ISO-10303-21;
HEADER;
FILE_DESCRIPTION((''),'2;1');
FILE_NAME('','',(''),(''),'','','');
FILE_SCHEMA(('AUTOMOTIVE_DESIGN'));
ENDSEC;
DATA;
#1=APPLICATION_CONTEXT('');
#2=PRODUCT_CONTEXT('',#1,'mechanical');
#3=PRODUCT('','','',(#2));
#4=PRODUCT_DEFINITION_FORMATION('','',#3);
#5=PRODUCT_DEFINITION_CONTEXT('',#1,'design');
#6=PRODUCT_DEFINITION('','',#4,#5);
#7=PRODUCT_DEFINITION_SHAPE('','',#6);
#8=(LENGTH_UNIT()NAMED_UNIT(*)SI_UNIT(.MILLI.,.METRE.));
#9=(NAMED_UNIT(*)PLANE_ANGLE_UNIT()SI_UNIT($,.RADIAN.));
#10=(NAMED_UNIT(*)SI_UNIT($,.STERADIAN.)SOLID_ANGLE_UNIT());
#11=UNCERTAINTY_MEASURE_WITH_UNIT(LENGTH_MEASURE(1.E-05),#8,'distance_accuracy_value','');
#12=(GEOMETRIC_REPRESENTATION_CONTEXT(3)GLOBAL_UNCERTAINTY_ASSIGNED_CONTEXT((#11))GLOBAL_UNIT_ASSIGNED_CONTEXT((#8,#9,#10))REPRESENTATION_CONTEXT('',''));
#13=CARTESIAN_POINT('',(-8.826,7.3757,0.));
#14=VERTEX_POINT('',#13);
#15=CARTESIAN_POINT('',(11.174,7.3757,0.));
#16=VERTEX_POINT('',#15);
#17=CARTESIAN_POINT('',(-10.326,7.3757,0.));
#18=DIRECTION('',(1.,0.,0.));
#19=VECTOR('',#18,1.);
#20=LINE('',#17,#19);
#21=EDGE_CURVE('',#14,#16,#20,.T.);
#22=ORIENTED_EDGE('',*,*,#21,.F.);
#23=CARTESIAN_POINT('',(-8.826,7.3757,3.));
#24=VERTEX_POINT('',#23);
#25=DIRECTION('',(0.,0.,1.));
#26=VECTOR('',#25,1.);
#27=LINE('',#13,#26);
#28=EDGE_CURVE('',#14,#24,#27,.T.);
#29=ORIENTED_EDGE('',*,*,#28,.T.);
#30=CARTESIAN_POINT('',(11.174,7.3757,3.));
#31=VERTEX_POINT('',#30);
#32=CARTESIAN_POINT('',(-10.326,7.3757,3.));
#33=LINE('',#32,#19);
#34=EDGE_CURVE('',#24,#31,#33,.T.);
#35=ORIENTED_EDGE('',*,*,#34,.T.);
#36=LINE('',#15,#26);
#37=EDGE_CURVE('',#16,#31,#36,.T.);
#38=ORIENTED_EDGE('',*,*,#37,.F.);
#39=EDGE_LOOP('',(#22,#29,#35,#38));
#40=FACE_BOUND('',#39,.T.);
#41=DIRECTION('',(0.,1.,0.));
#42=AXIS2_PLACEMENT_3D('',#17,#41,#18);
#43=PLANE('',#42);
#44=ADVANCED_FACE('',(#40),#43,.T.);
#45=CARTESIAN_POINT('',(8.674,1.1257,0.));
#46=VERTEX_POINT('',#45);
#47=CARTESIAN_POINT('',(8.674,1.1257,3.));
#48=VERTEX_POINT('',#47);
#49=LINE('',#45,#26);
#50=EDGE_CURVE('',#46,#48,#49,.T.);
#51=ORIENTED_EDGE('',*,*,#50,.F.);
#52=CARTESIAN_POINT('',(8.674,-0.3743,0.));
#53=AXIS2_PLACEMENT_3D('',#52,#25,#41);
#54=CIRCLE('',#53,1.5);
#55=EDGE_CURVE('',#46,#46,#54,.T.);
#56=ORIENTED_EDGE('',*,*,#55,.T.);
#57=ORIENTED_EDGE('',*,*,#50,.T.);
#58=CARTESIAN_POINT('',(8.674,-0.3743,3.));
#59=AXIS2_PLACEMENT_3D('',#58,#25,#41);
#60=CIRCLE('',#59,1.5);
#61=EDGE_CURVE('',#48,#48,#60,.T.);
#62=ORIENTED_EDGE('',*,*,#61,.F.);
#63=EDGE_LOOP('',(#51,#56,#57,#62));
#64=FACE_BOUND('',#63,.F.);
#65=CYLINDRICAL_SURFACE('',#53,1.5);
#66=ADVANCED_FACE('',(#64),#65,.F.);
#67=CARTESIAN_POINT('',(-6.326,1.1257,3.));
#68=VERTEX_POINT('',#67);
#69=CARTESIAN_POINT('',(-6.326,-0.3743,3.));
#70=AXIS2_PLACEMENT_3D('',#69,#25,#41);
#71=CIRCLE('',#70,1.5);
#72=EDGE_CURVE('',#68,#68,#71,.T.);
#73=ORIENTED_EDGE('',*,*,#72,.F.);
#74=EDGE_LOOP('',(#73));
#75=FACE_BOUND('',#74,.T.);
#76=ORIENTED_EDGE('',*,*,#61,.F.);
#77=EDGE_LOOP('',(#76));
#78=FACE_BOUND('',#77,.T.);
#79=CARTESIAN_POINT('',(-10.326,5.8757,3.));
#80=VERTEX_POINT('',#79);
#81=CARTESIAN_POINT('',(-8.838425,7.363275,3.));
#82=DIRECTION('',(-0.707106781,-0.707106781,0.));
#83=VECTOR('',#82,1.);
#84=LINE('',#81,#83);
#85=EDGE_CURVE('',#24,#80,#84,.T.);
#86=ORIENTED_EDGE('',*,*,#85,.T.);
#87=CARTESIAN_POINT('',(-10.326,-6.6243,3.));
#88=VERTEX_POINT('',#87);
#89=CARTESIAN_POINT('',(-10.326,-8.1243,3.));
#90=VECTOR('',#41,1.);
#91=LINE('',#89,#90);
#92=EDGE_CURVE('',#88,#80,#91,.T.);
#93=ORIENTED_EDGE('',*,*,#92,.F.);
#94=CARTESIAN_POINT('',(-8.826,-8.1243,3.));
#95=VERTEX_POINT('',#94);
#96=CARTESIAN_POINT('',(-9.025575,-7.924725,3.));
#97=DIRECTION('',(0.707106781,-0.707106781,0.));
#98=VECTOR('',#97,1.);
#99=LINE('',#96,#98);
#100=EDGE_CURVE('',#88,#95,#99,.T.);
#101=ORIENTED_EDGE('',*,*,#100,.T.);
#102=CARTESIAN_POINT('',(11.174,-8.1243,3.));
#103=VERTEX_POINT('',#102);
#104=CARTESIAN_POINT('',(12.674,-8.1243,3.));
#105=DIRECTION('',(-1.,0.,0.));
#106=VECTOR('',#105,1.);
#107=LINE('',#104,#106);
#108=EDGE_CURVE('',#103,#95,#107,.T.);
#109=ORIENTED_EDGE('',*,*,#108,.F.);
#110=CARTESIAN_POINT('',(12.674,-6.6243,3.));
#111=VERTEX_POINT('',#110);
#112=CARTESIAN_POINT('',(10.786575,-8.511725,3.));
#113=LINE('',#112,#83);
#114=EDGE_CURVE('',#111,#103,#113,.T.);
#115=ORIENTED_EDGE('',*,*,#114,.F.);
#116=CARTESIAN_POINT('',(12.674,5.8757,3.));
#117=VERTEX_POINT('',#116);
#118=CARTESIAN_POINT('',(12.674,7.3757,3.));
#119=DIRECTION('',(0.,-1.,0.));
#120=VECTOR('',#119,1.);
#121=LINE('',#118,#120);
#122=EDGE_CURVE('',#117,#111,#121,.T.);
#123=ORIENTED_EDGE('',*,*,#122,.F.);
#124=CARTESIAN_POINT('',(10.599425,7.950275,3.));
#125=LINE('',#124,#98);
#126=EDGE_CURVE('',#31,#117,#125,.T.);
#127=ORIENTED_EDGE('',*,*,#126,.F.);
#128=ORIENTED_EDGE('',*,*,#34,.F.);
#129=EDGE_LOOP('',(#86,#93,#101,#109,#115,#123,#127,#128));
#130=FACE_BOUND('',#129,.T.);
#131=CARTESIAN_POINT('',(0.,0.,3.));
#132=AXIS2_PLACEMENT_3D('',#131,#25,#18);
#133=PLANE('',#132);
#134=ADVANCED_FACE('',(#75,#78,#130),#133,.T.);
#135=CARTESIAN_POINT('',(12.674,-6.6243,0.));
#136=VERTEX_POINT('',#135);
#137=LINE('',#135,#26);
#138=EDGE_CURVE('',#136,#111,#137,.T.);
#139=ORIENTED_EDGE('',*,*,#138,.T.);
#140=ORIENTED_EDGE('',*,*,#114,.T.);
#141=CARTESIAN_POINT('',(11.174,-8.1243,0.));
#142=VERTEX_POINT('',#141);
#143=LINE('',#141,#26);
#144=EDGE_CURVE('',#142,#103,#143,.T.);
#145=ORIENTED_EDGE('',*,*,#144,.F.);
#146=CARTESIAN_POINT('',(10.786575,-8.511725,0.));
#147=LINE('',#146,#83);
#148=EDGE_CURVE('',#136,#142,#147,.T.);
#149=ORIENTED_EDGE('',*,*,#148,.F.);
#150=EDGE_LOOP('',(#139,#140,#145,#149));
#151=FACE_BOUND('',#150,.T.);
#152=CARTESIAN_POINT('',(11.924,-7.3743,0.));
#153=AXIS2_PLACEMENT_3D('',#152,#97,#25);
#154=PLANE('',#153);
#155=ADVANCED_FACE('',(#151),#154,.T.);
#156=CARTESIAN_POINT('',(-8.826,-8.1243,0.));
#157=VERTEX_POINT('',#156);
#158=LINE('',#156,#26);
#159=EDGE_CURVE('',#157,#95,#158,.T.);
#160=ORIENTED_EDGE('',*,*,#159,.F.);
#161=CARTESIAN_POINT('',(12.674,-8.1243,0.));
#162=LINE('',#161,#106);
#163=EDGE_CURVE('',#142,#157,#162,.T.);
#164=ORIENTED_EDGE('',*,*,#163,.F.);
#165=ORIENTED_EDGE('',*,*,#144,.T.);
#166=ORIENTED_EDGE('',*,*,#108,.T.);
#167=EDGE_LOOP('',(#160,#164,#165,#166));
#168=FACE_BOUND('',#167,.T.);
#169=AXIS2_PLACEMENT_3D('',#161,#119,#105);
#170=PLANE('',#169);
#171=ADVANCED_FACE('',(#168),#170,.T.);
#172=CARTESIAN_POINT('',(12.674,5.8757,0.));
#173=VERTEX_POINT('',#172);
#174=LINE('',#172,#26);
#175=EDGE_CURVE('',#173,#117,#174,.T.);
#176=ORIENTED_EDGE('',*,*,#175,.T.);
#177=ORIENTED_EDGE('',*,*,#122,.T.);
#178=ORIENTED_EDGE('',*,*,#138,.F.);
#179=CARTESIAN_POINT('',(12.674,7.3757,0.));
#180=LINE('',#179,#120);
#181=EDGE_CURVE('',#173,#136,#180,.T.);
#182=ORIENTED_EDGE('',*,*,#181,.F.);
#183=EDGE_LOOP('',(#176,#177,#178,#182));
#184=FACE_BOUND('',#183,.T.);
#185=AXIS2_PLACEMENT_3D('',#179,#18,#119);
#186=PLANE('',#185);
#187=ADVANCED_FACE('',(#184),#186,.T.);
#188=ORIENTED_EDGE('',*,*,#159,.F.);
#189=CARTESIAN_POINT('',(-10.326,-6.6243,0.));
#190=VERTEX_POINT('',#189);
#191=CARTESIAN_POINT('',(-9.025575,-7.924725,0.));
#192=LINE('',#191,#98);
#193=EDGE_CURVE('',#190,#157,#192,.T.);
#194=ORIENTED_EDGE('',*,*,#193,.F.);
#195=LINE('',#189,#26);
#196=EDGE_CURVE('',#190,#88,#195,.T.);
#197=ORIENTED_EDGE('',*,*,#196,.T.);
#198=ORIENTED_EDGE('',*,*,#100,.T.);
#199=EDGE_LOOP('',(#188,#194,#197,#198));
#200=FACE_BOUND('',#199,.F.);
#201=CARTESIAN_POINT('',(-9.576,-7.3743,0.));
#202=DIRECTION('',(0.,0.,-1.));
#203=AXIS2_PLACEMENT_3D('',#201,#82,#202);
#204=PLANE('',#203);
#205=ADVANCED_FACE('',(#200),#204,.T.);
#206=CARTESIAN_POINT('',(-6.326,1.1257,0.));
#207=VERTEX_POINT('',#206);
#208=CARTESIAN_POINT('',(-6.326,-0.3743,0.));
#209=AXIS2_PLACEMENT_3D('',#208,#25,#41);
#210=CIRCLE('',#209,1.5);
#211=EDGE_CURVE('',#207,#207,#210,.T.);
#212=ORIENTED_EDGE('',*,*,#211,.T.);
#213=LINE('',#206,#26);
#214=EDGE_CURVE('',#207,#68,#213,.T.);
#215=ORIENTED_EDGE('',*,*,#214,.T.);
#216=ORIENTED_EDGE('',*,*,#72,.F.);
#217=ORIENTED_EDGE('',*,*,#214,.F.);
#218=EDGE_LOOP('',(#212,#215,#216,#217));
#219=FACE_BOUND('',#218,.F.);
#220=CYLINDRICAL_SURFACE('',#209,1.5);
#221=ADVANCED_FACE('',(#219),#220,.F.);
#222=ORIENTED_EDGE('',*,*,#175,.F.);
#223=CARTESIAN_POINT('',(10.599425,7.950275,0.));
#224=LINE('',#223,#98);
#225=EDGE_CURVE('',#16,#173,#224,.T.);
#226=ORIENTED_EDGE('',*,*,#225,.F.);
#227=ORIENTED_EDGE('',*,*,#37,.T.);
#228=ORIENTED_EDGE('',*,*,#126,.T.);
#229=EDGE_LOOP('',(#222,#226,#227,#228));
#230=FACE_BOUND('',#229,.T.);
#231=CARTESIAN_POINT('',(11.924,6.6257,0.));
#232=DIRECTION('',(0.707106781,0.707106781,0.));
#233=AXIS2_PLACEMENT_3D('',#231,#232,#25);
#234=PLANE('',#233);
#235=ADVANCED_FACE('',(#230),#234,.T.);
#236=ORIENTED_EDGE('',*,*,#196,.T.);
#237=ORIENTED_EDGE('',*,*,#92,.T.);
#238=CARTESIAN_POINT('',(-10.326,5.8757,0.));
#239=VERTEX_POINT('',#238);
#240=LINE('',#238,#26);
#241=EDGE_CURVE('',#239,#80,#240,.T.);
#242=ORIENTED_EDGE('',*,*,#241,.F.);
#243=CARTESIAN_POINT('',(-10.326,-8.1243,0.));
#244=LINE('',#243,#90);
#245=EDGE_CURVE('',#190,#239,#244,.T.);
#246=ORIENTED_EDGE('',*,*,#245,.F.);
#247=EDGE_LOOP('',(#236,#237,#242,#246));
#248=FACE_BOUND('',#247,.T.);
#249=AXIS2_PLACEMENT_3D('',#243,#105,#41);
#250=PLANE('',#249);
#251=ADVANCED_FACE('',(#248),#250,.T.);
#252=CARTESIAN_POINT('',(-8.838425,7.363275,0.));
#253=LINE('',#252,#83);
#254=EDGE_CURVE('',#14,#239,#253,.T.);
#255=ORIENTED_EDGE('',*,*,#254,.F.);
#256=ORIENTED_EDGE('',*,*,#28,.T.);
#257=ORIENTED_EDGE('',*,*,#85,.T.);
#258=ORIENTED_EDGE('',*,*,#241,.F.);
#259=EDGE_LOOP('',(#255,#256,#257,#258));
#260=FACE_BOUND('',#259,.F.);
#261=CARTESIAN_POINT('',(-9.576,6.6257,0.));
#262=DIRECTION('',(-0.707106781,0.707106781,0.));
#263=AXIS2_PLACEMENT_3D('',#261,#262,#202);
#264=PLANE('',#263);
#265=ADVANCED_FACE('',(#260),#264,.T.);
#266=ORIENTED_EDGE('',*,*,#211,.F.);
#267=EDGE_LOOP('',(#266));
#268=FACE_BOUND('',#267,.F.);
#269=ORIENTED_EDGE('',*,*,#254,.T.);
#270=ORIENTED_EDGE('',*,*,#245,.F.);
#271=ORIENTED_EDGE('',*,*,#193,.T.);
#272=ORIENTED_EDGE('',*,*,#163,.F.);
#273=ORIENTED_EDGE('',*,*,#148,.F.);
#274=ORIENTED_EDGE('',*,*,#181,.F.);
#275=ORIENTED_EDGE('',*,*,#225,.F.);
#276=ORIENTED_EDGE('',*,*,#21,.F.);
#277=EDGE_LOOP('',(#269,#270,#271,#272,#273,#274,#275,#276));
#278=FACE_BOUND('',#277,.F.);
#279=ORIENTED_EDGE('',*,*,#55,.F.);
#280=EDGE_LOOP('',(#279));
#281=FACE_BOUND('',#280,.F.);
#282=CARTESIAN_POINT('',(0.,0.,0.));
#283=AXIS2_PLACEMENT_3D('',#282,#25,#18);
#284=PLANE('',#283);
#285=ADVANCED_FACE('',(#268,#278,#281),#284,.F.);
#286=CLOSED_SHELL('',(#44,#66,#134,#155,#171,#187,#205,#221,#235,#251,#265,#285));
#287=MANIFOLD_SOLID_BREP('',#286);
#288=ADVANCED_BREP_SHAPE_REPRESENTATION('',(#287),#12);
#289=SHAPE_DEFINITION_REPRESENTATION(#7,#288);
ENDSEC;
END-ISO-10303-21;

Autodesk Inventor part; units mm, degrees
ref_plane "YZ Plane" through (0, 0, 0) normal (1, 0, 0) x (0, 1, 0)
ref_plane "XZ Plane" through (0, 0, 0) normal (0, 1, 0) x (-1, 0, 0)
ref_plane "XY Plane" through (0, 0, 0) normal (0, 0, 1) x (1, 0, 0)
sketch "Szkic1" plane through (0, 0, 0) normal (0, 0, 1) x (1, 0, 0)
  line L0 (-10.326, 7.3757) -> (12.674, 7.3757)
  line L1 (12.674, 7.3757) -> (12.674, -8.1243)
  line L2 (12.674, -8.1243) -> (-10.326, -8.1243)
  line L3 (-10.326, -8.1243) -> (-10.326, 7.3757)
  point P0 (0, 0)
  point P1 (-6.326, -0.3743)
  point P2 (8.674, -0.3743)
  dimension "d0" = 23
  dimension "d1" = 15.5
  dimension "d4" = 7.75
  dimension "d5" = 7.75
  dimension "d6" = 4
  dimension "d7" = 4
extrude "Wyciągnięcie proste1" add sketch "Szkic1" along normal blind 3
hole "Otwór1" at (-6.326, -0.3743, 0) at (8.674, -0.3743, 0) direction (0, 0, 1) diameter 3 end through all
chamfer "Faza1" distance 1.5 angle 45 4 edges at (12.674, -8.1243, 1.5) (-10.326, -8.1243, 1.5) (-10.326, 7.3757, 1.5) (12.674, 7.3757, 1.5)
equation "\"d4\" = 0.5 * d1"
equation "\"d5\" = d4"
equation "\"d7\" = d6"
properties part number "LC_ALU_3mm_Timing_Belt_Clamp_Y_Axis"
